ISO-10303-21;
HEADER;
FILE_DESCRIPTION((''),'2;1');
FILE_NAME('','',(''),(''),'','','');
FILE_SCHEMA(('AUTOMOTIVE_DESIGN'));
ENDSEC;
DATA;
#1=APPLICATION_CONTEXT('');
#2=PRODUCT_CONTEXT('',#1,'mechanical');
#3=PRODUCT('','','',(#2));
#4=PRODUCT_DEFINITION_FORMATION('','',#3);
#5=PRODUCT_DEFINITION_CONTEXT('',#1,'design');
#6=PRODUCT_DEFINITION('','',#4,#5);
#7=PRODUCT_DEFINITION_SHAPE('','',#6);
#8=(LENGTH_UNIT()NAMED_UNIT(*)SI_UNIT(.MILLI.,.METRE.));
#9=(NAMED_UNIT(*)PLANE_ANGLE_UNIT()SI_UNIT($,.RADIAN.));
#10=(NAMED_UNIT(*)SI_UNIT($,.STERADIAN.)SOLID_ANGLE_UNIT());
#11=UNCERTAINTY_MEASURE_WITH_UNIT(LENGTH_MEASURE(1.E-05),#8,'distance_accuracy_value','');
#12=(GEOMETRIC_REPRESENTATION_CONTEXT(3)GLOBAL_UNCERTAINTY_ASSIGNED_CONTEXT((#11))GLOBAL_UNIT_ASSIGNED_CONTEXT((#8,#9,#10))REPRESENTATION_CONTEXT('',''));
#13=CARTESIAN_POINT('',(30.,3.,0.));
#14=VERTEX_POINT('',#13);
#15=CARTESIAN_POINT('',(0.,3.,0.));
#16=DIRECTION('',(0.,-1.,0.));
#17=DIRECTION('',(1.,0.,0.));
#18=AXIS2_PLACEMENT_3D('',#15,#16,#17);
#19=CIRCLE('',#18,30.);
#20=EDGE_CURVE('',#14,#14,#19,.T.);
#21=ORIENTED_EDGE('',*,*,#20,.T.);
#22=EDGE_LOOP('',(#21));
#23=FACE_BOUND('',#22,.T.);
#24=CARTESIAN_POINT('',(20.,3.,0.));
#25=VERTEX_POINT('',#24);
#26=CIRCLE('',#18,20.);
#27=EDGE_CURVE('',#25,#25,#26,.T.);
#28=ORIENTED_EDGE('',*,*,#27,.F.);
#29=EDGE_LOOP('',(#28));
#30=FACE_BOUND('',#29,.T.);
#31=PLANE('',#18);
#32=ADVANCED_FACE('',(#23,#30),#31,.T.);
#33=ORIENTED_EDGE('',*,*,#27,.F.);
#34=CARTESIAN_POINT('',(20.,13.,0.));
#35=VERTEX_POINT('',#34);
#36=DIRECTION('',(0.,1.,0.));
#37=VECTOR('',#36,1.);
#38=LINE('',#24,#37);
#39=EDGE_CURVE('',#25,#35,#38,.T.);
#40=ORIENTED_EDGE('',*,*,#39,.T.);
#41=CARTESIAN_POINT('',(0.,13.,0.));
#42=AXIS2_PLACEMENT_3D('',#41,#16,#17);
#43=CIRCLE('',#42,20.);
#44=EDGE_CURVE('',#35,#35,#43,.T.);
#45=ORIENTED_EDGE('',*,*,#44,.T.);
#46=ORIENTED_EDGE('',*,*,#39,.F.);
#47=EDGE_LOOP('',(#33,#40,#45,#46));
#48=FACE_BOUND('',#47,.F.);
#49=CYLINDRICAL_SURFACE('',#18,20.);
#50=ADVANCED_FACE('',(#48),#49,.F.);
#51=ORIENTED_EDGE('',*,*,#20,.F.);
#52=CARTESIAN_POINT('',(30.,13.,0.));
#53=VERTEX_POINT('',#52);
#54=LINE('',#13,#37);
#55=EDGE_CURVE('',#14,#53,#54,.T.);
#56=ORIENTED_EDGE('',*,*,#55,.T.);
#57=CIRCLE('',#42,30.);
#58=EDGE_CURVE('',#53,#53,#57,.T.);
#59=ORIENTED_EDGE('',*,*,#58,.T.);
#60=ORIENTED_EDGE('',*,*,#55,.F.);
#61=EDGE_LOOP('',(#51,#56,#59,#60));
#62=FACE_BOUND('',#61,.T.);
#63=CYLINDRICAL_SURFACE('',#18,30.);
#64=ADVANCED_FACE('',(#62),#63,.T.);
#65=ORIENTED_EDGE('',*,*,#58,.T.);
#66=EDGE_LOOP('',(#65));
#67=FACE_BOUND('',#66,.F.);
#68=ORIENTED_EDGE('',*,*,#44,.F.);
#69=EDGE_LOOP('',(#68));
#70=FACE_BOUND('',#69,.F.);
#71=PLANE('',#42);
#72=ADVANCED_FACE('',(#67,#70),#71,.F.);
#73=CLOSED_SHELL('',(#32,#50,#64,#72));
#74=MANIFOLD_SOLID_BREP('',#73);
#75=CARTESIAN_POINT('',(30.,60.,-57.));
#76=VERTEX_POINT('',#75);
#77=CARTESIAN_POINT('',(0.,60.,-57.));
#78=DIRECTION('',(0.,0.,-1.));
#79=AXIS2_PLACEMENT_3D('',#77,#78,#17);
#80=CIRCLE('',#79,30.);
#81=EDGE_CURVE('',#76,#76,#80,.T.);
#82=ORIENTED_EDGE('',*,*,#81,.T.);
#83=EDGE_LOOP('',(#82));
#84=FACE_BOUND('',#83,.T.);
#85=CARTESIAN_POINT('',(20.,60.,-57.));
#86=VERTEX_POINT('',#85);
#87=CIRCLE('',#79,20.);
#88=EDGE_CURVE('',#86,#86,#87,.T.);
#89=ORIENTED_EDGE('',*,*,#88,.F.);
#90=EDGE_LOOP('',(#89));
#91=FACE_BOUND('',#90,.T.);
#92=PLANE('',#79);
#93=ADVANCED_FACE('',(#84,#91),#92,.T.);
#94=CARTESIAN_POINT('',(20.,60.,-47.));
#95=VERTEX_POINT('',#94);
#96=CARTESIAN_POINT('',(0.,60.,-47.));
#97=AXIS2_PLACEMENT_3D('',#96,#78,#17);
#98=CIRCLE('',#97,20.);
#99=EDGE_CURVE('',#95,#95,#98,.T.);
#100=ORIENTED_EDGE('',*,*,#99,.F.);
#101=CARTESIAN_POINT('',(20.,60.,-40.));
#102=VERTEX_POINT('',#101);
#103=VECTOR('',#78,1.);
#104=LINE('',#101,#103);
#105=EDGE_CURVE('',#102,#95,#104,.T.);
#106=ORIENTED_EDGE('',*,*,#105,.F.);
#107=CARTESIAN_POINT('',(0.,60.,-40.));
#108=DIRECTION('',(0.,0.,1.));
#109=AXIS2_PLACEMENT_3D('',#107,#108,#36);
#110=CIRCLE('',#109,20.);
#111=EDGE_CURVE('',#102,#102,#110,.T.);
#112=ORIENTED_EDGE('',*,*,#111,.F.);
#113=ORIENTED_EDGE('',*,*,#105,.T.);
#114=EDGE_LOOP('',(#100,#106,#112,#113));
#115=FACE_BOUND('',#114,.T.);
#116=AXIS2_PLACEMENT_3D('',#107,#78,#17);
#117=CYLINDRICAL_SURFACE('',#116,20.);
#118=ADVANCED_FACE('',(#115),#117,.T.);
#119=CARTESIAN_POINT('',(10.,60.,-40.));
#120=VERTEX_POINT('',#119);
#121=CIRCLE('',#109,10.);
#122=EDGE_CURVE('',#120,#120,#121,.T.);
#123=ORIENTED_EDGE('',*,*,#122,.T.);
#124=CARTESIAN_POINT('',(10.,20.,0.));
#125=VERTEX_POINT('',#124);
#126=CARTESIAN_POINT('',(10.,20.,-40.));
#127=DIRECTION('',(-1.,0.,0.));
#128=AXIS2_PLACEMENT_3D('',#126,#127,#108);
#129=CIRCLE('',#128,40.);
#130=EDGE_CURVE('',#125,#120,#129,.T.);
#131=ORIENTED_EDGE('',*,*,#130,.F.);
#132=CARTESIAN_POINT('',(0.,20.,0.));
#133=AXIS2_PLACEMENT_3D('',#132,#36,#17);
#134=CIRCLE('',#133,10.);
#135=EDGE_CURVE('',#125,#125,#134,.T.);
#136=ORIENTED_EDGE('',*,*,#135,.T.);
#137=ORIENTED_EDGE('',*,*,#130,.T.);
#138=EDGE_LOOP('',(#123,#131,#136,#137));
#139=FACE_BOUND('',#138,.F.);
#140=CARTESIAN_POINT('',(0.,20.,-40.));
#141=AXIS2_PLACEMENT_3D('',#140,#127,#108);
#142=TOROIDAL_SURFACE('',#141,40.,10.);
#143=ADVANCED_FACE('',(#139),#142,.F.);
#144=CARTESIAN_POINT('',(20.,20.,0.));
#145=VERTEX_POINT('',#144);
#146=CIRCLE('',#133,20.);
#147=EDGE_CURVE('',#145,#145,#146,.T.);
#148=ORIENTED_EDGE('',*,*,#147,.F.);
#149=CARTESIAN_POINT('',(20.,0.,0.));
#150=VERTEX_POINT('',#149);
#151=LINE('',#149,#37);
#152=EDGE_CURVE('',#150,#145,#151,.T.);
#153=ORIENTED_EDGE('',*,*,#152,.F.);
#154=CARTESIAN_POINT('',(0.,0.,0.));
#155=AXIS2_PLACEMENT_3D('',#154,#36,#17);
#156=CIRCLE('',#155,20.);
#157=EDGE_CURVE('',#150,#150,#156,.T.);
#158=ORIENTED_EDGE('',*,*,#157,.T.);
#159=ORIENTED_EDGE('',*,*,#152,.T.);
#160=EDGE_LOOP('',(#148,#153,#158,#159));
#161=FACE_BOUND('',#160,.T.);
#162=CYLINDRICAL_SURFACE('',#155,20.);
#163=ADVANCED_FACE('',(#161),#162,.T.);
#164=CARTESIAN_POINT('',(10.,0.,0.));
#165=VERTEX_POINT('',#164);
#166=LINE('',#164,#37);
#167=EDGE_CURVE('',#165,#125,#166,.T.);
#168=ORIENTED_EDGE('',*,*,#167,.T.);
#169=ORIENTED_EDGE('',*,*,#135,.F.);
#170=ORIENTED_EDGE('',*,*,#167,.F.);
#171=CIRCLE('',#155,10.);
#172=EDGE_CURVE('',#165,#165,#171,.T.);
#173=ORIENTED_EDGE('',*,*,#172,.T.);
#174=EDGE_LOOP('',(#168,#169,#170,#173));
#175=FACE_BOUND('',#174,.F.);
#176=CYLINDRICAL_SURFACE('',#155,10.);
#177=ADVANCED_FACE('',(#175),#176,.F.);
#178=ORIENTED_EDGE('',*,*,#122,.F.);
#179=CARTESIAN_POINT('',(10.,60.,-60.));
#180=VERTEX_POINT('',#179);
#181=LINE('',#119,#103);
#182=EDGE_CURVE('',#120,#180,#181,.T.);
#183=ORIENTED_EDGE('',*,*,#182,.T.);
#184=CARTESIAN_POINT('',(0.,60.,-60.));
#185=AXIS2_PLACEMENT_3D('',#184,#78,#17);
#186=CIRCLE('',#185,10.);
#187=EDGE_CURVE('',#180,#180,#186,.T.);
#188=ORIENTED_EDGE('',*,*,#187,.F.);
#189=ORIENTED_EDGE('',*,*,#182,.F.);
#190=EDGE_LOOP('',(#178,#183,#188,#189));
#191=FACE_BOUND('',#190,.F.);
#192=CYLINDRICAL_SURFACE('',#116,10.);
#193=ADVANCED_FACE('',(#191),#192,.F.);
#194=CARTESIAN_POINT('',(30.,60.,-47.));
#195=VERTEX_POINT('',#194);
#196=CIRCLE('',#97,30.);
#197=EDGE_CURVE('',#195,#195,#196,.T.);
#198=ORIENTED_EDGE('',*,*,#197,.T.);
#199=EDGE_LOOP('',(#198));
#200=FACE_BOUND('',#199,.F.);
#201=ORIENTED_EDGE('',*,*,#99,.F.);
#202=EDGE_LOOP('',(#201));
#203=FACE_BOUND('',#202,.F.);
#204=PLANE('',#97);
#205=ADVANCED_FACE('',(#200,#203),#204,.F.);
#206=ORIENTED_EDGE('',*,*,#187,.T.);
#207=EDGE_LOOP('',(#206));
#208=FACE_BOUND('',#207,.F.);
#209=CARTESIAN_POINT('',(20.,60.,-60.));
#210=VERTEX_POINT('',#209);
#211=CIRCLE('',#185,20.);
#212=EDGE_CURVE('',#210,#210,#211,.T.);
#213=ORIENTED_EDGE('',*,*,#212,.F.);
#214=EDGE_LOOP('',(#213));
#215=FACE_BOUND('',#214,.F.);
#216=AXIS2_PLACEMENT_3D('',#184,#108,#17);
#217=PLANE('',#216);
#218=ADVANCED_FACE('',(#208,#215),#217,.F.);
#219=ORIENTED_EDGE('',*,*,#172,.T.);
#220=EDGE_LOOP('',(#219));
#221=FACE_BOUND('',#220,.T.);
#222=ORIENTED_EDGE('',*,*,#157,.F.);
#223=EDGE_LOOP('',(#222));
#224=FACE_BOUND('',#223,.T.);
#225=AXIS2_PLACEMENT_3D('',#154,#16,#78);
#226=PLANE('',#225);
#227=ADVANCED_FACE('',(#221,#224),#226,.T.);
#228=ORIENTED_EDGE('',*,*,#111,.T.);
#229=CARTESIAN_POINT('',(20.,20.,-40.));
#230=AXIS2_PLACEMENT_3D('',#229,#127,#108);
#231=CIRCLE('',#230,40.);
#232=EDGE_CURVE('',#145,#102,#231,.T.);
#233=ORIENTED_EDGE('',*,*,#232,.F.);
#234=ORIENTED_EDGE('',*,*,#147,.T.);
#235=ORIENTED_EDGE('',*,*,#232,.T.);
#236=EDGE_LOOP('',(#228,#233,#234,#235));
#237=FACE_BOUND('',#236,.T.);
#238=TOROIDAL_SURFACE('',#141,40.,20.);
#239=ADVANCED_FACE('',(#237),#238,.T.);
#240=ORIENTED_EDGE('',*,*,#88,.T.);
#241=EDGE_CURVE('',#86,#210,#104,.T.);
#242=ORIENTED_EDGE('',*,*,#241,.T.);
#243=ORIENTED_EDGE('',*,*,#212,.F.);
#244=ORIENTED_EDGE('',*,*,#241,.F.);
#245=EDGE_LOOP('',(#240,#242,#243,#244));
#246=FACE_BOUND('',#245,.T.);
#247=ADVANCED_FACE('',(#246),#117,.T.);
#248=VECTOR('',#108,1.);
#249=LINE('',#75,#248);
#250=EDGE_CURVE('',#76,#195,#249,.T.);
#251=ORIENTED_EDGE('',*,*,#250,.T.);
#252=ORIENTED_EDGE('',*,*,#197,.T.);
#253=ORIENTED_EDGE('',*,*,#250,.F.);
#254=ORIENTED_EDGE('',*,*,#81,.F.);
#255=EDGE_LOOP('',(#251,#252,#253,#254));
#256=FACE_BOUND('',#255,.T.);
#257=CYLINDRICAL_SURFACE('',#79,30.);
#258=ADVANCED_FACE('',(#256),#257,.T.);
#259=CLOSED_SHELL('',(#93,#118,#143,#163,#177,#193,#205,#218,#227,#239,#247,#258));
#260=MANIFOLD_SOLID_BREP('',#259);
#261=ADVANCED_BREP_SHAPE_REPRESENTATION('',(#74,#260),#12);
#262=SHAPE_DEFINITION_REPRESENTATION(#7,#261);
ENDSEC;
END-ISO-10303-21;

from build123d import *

# Parameters (mm, degrees)
F0_R     = 20
F0_R_2   = 10
F4_R     = 30
F4_R_2   = 20
F5_DEPTH = 10
F8_DEPTH = 20
F7_R     = 30
F7_R_2   = 20
F9_DEPTH = 10


with BuildPart() as f2:
    # F2: sweep along a path in F1
    with BuildLine(Plane.YZ) as f2_path:
        Line((0, 0), (20, 0))
        ThreePointArc((20, 0), (48.2842712475, -11.7157287525), (60, -40))
        Line((60, -40), (60, -60))
    # F0 (on Front) → F2 (sweep)
    with BuildSketch(Plane.XZ):
        Circle(F0_R)
        Circle(F0_R_2, mode=Mode.SUBTRACT)
    sweep(path=f2_path.line)

    # F8 (add): a face of the model
    f8_faces = [f2.faces().sort_by_distance(p)[0] for p in [
        (-19.4343145751, 60, -60),
    ]]
    extrude(f8_faces, amount=-F8_DEPTH)

    # F7 (on offset) → F9 (join)
    with BuildSketch(Plane(origin=(0, 0, -57), x_dir=(1, 0, 0), z_dir=(0, 0, -1))):
        with Locations((0, -60)):
            Circle(F7_R)
        with Locations((0, -60)):
            Circle(F7_R_2, mode=Mode.SUBTRACT)
    extrude(amount=-F9_DEPTH)


with BuildPart() as f5:
    # F4 (on offset) → F5 (new body)
    with BuildSketch(Plane.XZ.offset(-3)):
        Circle(F4_R)
        Circle(F4_R_2, mode=Mode.SUBTRACT)
    extrude(amount=-F5_DEPTH)


solid = Compound([f2.part, f5.part])
